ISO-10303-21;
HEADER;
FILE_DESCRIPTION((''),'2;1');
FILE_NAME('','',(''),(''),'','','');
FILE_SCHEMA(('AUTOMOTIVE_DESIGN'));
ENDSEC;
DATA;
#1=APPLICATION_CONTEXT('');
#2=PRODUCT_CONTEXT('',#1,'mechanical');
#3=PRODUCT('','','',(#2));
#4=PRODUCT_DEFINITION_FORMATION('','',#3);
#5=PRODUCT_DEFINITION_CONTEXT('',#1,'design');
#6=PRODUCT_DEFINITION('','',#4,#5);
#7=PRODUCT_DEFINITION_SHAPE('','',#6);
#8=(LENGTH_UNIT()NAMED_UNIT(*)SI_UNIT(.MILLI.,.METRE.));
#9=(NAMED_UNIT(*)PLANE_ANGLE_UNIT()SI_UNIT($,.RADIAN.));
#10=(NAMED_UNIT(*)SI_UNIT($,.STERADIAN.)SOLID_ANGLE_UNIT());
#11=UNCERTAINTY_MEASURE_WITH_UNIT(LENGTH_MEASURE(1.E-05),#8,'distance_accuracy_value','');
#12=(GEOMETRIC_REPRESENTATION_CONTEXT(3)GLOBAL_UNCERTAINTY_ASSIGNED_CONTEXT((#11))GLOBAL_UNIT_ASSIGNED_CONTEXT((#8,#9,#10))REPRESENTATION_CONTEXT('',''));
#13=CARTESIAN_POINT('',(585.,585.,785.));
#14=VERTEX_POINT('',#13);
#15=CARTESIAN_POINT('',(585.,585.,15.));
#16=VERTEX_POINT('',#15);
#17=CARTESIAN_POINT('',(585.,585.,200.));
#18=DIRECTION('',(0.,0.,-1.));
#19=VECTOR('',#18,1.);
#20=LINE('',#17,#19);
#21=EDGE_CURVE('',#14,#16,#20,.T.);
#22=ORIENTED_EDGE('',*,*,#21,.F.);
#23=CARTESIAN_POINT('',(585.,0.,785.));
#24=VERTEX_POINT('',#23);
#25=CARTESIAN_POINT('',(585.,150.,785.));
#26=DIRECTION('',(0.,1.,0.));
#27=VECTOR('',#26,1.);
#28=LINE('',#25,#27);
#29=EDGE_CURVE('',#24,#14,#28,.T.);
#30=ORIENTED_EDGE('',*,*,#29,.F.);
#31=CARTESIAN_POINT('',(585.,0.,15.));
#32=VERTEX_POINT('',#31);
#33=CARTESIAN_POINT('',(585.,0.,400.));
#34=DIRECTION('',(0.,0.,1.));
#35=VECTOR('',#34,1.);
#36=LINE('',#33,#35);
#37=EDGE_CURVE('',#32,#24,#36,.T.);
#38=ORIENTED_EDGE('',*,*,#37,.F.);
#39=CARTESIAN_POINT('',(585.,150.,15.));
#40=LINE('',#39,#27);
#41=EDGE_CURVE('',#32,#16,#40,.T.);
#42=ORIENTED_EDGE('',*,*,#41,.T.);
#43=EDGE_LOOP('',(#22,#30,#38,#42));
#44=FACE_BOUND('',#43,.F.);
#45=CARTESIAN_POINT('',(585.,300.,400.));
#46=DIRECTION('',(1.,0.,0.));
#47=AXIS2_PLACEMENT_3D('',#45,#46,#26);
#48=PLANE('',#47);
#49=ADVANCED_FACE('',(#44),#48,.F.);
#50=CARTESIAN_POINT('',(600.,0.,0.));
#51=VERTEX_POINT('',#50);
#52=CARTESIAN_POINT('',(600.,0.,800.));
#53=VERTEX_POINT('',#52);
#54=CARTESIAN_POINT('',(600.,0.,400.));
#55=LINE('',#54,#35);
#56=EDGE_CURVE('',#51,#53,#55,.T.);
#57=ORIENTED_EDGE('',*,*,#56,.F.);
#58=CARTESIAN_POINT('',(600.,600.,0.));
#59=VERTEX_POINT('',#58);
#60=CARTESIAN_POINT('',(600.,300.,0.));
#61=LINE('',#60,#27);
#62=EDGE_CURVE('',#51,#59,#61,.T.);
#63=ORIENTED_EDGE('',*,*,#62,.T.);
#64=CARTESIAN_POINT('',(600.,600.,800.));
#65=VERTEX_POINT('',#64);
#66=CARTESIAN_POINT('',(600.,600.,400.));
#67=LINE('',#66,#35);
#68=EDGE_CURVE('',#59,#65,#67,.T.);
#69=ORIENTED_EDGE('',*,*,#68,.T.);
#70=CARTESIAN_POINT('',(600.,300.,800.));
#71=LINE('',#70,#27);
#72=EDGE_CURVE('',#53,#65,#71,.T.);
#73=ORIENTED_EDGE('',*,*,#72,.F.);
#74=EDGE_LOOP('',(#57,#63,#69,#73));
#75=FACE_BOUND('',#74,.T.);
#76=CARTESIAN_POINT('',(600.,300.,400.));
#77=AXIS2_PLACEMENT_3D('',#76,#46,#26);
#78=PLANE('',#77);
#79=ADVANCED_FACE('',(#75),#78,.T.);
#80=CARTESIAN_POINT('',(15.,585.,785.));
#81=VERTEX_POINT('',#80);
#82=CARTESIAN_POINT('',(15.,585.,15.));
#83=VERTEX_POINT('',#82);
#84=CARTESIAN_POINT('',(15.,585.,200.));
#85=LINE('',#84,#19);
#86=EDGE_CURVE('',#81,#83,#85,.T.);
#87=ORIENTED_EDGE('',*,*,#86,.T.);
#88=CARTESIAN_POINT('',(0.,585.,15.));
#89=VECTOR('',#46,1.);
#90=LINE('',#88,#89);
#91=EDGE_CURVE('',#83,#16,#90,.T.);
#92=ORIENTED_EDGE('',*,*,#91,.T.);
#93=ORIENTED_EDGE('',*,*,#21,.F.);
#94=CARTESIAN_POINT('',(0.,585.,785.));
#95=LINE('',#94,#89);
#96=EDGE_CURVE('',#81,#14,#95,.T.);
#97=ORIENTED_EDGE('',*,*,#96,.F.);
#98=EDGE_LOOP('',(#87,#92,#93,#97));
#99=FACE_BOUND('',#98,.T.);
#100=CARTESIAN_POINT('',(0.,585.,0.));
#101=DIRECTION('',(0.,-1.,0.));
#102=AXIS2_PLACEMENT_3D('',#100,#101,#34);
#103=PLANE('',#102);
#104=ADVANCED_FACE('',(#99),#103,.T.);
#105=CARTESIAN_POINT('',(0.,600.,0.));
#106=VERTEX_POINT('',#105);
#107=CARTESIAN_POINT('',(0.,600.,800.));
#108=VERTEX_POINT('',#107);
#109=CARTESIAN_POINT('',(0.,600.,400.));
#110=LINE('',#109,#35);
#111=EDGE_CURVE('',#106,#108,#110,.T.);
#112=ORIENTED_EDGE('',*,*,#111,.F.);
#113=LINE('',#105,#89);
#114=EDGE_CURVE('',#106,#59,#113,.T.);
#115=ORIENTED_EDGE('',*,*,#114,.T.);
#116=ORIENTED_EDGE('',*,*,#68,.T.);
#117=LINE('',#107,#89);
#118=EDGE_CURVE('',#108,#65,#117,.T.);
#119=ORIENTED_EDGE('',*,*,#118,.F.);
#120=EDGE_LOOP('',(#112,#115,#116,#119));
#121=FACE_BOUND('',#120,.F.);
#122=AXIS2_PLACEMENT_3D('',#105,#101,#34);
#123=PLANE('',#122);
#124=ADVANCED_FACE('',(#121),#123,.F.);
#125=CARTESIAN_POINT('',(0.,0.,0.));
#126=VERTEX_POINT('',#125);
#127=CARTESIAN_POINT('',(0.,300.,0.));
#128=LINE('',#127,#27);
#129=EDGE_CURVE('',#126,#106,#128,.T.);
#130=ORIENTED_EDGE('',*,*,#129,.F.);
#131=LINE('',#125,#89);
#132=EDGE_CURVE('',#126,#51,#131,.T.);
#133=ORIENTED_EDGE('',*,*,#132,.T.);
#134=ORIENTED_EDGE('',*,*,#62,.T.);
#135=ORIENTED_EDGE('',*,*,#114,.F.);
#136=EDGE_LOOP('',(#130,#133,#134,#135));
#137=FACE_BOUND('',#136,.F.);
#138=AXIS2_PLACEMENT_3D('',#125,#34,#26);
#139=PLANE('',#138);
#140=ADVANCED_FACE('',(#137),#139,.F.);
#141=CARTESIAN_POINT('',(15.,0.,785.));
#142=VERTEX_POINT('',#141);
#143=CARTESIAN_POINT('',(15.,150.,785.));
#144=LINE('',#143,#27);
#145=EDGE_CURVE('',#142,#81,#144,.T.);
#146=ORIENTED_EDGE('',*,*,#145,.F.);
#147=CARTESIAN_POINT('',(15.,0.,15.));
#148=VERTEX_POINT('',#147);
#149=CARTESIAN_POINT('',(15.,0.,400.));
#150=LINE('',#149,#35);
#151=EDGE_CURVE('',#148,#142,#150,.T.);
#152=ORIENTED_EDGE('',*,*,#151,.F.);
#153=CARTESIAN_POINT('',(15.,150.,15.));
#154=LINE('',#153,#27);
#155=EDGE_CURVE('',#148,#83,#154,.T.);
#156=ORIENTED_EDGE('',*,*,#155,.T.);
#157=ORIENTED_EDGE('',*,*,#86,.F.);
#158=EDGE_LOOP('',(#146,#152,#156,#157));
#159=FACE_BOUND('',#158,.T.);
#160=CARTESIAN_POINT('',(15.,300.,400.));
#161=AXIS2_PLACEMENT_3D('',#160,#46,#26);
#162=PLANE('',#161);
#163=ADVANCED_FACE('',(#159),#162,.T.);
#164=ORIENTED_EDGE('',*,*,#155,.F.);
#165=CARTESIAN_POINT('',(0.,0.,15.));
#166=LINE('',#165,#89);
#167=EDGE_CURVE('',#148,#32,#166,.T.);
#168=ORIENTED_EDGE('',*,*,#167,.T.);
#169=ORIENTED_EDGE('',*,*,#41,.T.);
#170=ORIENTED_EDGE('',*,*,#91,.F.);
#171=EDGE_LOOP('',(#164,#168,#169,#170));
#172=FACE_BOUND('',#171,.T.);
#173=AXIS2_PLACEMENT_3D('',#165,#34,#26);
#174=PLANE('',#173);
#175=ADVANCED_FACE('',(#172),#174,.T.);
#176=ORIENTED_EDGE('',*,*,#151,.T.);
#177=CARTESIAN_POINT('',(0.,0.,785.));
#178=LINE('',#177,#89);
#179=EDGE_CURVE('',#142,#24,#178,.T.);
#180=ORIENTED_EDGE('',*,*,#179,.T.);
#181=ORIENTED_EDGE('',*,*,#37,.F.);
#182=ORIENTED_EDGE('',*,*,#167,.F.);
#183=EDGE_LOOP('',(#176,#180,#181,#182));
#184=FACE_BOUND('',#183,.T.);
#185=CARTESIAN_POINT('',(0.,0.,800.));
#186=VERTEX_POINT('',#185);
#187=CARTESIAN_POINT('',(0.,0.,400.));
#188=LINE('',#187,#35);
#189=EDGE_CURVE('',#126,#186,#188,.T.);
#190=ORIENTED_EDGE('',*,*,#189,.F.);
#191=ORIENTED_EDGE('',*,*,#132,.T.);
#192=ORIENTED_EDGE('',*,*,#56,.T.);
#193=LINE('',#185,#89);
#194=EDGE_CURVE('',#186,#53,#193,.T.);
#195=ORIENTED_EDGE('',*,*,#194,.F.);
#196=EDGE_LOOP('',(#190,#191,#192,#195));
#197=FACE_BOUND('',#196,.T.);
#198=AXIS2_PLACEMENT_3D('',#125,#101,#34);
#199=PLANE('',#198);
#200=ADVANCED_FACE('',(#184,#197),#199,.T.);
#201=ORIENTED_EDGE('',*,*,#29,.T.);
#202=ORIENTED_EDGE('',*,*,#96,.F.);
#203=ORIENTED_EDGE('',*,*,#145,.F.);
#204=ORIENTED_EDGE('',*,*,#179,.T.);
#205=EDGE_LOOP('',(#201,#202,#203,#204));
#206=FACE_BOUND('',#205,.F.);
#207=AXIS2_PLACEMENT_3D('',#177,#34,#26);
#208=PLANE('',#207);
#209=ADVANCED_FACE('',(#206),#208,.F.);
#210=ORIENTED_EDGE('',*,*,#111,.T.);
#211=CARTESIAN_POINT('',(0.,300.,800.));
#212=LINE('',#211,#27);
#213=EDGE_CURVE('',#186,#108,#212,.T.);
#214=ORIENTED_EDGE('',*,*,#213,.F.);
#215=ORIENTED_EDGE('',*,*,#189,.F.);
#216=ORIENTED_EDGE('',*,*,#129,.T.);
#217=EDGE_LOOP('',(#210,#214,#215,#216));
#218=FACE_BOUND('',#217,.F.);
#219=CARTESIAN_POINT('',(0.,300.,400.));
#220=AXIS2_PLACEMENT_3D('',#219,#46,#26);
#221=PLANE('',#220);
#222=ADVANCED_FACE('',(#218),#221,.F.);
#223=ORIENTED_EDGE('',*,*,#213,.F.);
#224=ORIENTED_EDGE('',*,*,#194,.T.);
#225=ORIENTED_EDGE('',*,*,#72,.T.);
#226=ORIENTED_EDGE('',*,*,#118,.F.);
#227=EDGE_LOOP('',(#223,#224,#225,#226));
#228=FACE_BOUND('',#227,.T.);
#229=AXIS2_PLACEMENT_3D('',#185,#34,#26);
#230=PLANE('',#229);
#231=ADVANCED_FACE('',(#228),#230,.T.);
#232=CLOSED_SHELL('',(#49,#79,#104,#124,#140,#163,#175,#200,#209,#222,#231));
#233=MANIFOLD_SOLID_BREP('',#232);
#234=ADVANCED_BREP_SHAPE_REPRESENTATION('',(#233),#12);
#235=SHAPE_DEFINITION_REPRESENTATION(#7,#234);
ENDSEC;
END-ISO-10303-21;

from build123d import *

# Parameters (mm, degrees)
F0_W     = 600
F0_H     = 800
F1_DEPTH = 600
F2_T     = -15


with BuildPart() as f1:
    # F0 (on Right) → F1 (new body)
    with BuildSketch(Plane.YZ):
        with Locations((300, 400)):
            Rectangle(F0_W, F0_H)
    extrude(amount=F1_DEPTH)

    # F2
    f2_openings = [f1.faces().sort_by_distance(p)[0] for p in [
        (300, 0, 400),
    ]]
    offset(amount=F2_T, openings=f2_openings)


with BuildPart() as f3_1:
    # F3: copy of F1
    add(f1.part.moved(Location((700, 0, 0))))


solid = f1.part
